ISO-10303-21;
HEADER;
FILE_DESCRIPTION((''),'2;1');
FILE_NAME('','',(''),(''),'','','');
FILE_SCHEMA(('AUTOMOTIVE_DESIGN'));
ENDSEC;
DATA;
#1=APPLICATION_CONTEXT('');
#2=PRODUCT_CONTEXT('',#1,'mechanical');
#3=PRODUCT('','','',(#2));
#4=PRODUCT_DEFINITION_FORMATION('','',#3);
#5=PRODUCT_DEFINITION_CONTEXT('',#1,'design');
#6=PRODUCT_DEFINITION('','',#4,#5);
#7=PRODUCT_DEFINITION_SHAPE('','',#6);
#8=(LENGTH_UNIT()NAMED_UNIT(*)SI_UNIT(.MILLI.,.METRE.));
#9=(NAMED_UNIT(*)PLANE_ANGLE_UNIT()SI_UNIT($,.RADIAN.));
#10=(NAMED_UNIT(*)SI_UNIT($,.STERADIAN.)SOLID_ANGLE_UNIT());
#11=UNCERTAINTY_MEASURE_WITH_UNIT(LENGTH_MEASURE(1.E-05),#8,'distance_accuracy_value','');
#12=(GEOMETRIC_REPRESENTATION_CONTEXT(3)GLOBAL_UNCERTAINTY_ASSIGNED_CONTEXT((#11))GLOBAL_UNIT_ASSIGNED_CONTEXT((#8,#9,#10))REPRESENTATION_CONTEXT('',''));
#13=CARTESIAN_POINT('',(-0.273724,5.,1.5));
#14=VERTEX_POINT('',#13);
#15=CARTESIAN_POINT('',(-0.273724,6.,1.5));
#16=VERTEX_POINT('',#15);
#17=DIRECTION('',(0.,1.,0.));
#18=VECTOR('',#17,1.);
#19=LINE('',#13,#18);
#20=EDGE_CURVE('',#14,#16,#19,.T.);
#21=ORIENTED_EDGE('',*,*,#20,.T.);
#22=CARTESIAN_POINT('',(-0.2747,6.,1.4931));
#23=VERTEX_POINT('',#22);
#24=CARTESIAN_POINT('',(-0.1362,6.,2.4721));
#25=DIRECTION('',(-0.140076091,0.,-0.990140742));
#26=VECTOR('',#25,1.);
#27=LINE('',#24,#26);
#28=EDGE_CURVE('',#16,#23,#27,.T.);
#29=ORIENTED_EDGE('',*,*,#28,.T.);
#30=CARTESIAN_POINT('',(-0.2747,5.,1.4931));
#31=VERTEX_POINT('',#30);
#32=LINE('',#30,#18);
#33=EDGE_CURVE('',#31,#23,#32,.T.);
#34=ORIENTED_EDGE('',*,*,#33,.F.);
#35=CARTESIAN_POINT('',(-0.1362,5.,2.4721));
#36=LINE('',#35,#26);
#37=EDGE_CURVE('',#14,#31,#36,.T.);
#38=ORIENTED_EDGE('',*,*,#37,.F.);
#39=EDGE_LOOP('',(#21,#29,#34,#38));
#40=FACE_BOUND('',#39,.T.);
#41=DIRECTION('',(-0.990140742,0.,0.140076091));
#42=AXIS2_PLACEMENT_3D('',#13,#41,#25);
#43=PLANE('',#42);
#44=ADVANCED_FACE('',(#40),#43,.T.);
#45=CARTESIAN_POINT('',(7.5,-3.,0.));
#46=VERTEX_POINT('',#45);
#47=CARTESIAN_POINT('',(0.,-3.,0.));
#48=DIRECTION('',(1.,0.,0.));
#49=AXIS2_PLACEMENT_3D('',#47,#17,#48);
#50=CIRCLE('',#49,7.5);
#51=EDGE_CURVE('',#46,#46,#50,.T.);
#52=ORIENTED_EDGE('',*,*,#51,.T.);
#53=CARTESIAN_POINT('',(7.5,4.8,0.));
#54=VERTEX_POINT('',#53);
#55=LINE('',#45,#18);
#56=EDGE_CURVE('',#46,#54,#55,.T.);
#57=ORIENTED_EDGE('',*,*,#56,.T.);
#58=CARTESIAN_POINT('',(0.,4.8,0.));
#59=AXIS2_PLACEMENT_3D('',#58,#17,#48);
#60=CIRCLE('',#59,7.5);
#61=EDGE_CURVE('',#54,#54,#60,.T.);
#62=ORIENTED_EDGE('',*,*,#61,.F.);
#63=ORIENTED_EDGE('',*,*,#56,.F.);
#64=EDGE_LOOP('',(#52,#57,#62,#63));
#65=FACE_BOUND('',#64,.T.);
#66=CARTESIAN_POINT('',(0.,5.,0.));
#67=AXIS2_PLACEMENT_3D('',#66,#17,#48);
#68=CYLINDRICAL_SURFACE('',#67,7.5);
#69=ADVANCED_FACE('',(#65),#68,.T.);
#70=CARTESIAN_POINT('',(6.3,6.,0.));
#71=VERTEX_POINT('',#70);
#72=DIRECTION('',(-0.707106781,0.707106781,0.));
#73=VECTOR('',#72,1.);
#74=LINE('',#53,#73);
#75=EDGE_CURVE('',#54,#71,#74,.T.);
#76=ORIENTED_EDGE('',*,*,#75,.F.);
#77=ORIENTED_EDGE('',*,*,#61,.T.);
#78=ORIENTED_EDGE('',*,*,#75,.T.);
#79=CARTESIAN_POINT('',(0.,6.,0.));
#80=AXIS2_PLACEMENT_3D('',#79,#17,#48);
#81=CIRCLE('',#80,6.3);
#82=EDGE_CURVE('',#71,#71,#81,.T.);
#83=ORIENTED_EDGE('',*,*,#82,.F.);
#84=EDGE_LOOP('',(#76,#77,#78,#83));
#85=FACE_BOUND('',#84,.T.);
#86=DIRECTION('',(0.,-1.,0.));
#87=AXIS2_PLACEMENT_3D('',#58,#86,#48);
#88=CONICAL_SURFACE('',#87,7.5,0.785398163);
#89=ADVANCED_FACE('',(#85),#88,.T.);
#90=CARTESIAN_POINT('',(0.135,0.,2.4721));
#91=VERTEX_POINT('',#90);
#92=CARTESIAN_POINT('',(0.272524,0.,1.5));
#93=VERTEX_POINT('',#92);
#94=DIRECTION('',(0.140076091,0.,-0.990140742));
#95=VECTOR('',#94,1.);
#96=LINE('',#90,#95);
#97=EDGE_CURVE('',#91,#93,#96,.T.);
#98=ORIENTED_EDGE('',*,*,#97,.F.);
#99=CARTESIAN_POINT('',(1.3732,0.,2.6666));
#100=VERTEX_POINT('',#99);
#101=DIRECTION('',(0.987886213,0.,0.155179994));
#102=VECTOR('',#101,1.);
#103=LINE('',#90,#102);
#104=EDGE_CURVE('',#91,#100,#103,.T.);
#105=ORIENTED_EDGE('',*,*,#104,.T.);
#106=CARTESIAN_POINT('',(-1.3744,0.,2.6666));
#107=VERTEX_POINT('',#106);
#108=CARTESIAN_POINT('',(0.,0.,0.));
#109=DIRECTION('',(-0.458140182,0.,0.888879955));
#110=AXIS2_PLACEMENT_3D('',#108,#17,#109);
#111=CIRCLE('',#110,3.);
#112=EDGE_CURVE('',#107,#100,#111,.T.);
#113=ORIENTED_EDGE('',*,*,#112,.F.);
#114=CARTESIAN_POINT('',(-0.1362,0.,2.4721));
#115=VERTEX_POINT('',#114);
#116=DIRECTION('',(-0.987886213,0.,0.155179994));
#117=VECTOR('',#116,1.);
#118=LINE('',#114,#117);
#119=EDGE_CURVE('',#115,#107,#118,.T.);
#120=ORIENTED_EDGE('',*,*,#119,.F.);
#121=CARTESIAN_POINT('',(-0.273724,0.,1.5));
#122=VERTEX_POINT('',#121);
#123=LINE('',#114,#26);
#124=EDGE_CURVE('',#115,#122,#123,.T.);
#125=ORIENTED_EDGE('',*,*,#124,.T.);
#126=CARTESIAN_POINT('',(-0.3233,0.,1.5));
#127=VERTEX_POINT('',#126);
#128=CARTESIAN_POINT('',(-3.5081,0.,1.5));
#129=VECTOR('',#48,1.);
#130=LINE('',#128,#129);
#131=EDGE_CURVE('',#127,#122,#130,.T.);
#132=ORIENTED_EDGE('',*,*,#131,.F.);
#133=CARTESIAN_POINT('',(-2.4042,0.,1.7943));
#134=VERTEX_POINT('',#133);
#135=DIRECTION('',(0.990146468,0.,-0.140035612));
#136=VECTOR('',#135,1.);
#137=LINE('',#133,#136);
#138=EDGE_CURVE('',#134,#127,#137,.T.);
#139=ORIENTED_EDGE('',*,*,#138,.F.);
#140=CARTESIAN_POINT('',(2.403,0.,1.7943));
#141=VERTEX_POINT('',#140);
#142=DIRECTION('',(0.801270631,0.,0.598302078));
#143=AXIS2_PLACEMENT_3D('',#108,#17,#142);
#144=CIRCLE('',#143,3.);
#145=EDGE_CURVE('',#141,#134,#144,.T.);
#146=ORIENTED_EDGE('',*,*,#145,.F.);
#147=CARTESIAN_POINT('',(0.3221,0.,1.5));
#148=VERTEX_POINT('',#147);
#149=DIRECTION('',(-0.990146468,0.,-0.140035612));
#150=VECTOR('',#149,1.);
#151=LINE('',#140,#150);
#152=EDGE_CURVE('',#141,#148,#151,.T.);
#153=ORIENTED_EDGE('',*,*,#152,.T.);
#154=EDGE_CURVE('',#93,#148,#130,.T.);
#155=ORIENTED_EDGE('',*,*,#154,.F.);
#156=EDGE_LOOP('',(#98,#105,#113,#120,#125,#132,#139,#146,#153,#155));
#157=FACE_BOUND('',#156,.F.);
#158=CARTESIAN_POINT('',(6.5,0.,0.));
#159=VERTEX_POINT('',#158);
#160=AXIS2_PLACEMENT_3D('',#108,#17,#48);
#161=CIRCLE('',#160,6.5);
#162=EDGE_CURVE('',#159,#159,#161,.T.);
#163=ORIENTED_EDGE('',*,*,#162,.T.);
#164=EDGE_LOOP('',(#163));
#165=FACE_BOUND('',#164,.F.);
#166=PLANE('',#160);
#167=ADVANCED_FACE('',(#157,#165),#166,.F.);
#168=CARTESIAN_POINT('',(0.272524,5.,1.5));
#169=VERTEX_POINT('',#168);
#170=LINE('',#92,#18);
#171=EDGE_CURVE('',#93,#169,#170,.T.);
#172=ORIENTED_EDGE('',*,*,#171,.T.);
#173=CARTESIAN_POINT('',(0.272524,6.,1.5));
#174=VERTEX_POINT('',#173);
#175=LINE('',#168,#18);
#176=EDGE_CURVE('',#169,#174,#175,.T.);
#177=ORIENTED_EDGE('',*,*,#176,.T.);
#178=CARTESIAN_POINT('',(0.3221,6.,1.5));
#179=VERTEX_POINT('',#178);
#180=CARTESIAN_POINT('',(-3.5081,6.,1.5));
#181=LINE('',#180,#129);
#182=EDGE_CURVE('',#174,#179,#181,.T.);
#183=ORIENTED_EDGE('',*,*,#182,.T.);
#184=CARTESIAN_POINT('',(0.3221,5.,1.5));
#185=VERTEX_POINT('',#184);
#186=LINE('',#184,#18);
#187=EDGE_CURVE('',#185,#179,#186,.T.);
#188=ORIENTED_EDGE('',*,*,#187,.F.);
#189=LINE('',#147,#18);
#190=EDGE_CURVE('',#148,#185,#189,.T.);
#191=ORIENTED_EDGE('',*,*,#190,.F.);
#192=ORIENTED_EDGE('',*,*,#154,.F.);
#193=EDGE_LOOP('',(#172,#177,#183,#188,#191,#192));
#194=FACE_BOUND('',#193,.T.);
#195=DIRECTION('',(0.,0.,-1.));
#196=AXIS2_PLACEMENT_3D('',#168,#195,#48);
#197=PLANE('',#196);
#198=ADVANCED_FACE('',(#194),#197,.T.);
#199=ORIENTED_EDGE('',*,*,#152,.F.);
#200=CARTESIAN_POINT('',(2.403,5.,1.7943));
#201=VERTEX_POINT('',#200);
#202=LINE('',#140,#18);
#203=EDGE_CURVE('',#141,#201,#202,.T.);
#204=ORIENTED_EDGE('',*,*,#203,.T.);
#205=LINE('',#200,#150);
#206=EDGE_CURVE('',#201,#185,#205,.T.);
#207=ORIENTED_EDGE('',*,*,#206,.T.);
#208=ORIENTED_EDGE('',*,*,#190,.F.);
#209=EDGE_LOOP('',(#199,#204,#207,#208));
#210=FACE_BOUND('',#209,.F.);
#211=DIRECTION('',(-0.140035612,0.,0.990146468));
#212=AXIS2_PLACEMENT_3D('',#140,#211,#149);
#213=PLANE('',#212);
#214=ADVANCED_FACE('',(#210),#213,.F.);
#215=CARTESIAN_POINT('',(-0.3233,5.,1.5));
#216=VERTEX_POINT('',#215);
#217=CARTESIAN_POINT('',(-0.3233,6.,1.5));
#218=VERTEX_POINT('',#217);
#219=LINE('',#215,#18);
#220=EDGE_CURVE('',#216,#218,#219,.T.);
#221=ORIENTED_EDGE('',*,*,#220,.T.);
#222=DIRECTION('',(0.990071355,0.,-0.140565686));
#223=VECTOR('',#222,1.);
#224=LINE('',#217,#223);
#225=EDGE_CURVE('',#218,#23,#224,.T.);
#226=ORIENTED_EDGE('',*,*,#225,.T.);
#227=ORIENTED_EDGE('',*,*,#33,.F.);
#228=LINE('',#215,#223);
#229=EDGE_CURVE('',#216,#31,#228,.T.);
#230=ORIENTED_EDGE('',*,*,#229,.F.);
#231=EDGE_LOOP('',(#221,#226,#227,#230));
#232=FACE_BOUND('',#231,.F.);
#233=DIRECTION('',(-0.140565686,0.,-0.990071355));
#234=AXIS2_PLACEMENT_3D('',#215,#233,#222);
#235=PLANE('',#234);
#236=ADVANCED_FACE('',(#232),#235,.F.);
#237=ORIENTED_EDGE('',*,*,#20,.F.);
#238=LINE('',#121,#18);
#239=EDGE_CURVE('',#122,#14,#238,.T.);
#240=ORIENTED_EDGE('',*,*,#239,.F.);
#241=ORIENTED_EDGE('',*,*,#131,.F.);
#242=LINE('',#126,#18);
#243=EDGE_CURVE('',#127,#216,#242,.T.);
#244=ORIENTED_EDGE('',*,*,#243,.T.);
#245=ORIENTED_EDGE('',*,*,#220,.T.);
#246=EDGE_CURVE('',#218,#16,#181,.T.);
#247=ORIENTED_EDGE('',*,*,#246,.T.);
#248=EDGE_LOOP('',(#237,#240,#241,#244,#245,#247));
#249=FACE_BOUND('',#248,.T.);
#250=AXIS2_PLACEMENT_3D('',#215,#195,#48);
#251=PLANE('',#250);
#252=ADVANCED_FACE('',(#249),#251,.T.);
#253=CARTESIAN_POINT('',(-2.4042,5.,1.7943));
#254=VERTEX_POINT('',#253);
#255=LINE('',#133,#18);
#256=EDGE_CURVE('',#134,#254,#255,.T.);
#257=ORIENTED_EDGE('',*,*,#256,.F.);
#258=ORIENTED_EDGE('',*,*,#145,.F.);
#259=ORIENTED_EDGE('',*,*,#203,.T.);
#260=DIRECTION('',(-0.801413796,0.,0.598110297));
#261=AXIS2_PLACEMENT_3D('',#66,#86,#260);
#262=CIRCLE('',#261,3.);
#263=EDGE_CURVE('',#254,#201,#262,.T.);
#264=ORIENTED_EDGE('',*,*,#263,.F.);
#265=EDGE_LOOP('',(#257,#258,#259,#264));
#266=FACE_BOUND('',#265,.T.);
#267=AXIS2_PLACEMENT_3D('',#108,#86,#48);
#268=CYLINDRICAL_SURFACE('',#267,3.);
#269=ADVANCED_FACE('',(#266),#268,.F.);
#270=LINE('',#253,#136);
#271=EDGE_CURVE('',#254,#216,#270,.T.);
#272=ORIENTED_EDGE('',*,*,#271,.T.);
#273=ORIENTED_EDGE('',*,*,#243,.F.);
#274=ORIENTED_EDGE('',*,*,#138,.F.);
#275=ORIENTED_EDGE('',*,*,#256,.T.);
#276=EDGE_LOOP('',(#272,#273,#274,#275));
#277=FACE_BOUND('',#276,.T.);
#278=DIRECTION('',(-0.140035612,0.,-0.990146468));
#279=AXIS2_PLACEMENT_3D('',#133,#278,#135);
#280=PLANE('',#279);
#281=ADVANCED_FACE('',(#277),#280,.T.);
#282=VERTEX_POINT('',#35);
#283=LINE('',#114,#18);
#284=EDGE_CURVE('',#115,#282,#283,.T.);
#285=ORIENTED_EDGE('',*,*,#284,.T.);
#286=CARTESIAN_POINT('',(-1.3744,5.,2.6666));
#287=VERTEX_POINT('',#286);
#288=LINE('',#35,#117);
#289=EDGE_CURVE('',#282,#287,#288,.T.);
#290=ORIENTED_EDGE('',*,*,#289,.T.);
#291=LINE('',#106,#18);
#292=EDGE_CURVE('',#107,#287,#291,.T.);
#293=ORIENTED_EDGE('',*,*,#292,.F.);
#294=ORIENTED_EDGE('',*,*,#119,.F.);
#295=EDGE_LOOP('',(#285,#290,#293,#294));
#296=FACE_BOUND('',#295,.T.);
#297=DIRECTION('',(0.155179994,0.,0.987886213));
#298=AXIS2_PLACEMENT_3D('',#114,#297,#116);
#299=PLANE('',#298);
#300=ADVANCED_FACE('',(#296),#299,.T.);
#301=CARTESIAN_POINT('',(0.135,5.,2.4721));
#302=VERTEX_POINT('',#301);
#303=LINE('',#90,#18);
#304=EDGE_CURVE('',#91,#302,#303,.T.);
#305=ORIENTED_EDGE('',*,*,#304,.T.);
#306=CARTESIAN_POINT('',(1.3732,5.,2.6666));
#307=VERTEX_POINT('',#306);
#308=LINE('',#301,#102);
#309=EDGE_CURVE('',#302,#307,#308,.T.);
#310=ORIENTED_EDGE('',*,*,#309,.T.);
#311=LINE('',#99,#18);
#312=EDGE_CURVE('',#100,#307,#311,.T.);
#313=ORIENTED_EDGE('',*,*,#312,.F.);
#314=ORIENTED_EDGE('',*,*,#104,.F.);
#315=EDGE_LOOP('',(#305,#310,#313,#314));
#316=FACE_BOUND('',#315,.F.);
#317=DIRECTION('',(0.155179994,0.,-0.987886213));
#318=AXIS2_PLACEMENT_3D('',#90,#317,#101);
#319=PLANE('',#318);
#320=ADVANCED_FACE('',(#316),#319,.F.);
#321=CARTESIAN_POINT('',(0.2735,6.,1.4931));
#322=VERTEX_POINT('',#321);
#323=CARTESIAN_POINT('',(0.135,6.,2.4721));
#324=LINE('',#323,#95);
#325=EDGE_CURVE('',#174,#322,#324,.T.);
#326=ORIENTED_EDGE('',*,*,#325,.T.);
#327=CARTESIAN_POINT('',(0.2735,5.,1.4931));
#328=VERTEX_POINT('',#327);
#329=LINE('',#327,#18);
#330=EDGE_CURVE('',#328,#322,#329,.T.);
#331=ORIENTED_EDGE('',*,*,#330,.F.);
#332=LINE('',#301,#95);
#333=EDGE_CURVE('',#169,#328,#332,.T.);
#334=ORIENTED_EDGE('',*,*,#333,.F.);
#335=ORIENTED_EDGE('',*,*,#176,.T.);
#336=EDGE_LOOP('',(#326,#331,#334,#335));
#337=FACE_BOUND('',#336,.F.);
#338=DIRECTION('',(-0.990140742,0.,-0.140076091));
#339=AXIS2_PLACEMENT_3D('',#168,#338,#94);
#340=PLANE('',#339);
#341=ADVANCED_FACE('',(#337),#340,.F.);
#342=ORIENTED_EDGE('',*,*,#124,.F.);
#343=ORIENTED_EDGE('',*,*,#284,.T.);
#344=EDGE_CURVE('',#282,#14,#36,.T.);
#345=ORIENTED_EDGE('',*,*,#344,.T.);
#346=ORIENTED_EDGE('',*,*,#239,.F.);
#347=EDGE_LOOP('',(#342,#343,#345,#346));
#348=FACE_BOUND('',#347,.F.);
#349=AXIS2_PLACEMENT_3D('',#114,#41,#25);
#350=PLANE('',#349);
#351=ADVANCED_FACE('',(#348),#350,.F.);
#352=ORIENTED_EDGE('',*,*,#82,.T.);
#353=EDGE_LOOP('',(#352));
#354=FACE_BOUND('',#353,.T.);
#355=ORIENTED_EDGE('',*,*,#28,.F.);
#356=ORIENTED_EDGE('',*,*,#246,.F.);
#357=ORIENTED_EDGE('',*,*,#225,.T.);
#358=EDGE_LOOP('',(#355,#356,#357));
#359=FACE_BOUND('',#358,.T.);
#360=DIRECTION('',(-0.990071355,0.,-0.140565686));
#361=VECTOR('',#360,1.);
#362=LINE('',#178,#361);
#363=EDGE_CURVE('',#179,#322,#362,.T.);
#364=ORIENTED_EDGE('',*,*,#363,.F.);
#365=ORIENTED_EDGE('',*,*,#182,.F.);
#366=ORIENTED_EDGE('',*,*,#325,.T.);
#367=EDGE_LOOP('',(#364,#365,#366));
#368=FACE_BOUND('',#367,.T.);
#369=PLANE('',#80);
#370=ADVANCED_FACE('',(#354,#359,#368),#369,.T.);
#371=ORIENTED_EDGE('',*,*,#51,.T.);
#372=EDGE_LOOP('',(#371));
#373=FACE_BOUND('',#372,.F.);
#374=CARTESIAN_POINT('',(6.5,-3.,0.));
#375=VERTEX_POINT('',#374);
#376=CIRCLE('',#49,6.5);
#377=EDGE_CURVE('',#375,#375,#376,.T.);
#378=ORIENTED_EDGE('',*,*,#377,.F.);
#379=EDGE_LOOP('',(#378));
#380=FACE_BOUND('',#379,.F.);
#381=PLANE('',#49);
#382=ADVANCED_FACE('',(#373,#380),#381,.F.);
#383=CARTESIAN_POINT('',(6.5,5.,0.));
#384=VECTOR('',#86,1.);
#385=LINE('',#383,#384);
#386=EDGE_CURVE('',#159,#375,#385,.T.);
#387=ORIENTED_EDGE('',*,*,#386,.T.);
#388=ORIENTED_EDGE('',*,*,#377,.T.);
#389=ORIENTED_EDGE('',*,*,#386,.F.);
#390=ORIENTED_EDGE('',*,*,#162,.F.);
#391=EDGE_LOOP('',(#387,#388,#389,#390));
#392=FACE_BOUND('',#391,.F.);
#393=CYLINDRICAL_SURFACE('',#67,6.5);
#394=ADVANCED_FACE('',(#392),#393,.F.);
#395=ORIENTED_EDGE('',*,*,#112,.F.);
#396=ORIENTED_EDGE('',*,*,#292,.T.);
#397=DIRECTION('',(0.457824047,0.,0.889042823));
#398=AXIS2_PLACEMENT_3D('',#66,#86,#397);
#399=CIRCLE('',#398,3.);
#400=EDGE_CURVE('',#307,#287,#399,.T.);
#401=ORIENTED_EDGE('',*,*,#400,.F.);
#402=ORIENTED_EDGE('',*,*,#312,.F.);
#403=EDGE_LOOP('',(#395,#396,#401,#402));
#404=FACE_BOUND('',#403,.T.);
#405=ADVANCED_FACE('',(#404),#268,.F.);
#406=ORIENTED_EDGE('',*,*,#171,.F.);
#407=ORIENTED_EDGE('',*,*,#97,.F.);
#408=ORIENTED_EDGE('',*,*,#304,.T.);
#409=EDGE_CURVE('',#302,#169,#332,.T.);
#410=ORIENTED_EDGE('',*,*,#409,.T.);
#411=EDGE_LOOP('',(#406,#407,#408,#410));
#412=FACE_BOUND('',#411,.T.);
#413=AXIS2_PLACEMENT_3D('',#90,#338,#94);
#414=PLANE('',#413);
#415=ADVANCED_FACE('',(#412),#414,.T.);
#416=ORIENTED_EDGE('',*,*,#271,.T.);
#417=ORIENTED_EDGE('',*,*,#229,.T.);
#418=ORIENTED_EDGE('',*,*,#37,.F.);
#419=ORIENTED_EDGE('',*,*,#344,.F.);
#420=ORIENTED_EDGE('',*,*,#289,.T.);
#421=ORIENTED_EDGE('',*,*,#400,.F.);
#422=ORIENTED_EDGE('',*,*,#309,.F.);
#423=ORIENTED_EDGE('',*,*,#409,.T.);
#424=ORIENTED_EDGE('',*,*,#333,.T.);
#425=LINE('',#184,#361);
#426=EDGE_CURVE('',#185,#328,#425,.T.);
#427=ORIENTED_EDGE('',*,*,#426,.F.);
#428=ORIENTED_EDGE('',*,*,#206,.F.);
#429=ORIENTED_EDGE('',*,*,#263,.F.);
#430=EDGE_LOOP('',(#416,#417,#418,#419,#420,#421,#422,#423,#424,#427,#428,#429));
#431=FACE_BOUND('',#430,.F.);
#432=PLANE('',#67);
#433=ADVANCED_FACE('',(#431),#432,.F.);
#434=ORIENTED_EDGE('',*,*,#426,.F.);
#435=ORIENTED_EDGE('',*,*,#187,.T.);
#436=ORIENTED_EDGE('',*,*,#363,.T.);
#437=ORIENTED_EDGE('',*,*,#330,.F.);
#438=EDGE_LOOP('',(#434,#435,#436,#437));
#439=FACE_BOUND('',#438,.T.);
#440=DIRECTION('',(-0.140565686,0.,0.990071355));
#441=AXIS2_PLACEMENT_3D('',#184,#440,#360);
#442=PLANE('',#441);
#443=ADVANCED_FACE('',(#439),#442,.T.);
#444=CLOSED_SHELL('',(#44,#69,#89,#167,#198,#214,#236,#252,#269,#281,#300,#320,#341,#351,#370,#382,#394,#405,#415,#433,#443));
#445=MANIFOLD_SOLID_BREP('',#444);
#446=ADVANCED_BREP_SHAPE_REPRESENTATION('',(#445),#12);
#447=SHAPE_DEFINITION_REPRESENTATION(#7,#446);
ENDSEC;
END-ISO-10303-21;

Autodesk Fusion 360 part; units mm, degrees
sketch "Sketch1" plane through (0, 0, 0) normal (0, 1, 0) x (1, 0, 0)
  circle A0 centre (0, 0) radius 3
  circle A1 centre (0, 0) radius 6.5
  circle A2 centre (0, 0) radius 7.5
  line L0 (-3.5081, -1.5) -> (3.6969, -1.5)
  line L1 (-2.4042, -1.7943) -> (-0.3233, -1.5)
  line L2 (-0.1362, -2.4721) -> (-1.3744, -2.6666)
  line L3 (-0.1362, -2.4721) -> (-0.2747, -1.4931)
  line L4 (-0.0006, -0.4974) -> (-0.0006, -3.2095)
  line L5 (-0.0006, -3.2095) -> (0.4355, -3.2095)
  line L6 (2.403, -1.7943) -> (0.3221, -1.5)
  line L7 (0.135, -2.4721) -> (0.2735, -1.4931)
  line L8 (0.135, -2.4721) -> (1.3732, -2.6666)
  line L9 (0.3221, -1.5) -> (0.2735, -1.4931)
  line L10 (-0.3233, -1.5) -> (-0.2747, -1.4931)
  line L11 (1.3732, -2.6666) -> (1.3779, -2.6674)
  line L12 (2.403, -1.7943) -> (2.4082, -1.7951)
  dimension "d1" = 6
  dimension "d2" = 13
  dimension "d3" = 15
  dimension "d4" = 1.5
  dimension "d5" = 0.4361
extrude "Extrude5" add sketch "Sketch1" along normal blind 1 contours A0 L0 L1 L2 L3 | A0 L0 L1 | A0 L0 L2 L3 L4 | A0 L0 L3 L7 L9 L10 | A0 L0 L4 L7 L8 | A0 L0 L6 L7 L8 | A0 L0 L6 | A1 | A2 makes body 1
extrude "Extrude2" add sketch "Sketch1" along normal blind 5 separate body contours A0 L0 L6 L7 L8 makes body 2
extrude "Extrude1" add sketch "Sketch1" along normal blind 5 separate body contours A0 L0 L1 L2 L3 makes body 3
extrude "Extrude3" add sketch "Sketch1" along normal blind 5 contours A1 bodies 2 3
extrude "Extrude4" add sketch "Sketch1" along normal blind -3 and the other way blind -5 separate body contours A2 makes body 4
move_body "Move1" bodies 1 to x (1, 0, 0) y (0, 1, 0) z (0, 0, 1) at (0, 5, 0)
combine "Combine1" operation add target body 4 tool bodies 1 2
chamfer "Chamfer1" distance 1.2 angle 45 1 edges at (-6.9925, 6, 2.7121) on bodies 4
